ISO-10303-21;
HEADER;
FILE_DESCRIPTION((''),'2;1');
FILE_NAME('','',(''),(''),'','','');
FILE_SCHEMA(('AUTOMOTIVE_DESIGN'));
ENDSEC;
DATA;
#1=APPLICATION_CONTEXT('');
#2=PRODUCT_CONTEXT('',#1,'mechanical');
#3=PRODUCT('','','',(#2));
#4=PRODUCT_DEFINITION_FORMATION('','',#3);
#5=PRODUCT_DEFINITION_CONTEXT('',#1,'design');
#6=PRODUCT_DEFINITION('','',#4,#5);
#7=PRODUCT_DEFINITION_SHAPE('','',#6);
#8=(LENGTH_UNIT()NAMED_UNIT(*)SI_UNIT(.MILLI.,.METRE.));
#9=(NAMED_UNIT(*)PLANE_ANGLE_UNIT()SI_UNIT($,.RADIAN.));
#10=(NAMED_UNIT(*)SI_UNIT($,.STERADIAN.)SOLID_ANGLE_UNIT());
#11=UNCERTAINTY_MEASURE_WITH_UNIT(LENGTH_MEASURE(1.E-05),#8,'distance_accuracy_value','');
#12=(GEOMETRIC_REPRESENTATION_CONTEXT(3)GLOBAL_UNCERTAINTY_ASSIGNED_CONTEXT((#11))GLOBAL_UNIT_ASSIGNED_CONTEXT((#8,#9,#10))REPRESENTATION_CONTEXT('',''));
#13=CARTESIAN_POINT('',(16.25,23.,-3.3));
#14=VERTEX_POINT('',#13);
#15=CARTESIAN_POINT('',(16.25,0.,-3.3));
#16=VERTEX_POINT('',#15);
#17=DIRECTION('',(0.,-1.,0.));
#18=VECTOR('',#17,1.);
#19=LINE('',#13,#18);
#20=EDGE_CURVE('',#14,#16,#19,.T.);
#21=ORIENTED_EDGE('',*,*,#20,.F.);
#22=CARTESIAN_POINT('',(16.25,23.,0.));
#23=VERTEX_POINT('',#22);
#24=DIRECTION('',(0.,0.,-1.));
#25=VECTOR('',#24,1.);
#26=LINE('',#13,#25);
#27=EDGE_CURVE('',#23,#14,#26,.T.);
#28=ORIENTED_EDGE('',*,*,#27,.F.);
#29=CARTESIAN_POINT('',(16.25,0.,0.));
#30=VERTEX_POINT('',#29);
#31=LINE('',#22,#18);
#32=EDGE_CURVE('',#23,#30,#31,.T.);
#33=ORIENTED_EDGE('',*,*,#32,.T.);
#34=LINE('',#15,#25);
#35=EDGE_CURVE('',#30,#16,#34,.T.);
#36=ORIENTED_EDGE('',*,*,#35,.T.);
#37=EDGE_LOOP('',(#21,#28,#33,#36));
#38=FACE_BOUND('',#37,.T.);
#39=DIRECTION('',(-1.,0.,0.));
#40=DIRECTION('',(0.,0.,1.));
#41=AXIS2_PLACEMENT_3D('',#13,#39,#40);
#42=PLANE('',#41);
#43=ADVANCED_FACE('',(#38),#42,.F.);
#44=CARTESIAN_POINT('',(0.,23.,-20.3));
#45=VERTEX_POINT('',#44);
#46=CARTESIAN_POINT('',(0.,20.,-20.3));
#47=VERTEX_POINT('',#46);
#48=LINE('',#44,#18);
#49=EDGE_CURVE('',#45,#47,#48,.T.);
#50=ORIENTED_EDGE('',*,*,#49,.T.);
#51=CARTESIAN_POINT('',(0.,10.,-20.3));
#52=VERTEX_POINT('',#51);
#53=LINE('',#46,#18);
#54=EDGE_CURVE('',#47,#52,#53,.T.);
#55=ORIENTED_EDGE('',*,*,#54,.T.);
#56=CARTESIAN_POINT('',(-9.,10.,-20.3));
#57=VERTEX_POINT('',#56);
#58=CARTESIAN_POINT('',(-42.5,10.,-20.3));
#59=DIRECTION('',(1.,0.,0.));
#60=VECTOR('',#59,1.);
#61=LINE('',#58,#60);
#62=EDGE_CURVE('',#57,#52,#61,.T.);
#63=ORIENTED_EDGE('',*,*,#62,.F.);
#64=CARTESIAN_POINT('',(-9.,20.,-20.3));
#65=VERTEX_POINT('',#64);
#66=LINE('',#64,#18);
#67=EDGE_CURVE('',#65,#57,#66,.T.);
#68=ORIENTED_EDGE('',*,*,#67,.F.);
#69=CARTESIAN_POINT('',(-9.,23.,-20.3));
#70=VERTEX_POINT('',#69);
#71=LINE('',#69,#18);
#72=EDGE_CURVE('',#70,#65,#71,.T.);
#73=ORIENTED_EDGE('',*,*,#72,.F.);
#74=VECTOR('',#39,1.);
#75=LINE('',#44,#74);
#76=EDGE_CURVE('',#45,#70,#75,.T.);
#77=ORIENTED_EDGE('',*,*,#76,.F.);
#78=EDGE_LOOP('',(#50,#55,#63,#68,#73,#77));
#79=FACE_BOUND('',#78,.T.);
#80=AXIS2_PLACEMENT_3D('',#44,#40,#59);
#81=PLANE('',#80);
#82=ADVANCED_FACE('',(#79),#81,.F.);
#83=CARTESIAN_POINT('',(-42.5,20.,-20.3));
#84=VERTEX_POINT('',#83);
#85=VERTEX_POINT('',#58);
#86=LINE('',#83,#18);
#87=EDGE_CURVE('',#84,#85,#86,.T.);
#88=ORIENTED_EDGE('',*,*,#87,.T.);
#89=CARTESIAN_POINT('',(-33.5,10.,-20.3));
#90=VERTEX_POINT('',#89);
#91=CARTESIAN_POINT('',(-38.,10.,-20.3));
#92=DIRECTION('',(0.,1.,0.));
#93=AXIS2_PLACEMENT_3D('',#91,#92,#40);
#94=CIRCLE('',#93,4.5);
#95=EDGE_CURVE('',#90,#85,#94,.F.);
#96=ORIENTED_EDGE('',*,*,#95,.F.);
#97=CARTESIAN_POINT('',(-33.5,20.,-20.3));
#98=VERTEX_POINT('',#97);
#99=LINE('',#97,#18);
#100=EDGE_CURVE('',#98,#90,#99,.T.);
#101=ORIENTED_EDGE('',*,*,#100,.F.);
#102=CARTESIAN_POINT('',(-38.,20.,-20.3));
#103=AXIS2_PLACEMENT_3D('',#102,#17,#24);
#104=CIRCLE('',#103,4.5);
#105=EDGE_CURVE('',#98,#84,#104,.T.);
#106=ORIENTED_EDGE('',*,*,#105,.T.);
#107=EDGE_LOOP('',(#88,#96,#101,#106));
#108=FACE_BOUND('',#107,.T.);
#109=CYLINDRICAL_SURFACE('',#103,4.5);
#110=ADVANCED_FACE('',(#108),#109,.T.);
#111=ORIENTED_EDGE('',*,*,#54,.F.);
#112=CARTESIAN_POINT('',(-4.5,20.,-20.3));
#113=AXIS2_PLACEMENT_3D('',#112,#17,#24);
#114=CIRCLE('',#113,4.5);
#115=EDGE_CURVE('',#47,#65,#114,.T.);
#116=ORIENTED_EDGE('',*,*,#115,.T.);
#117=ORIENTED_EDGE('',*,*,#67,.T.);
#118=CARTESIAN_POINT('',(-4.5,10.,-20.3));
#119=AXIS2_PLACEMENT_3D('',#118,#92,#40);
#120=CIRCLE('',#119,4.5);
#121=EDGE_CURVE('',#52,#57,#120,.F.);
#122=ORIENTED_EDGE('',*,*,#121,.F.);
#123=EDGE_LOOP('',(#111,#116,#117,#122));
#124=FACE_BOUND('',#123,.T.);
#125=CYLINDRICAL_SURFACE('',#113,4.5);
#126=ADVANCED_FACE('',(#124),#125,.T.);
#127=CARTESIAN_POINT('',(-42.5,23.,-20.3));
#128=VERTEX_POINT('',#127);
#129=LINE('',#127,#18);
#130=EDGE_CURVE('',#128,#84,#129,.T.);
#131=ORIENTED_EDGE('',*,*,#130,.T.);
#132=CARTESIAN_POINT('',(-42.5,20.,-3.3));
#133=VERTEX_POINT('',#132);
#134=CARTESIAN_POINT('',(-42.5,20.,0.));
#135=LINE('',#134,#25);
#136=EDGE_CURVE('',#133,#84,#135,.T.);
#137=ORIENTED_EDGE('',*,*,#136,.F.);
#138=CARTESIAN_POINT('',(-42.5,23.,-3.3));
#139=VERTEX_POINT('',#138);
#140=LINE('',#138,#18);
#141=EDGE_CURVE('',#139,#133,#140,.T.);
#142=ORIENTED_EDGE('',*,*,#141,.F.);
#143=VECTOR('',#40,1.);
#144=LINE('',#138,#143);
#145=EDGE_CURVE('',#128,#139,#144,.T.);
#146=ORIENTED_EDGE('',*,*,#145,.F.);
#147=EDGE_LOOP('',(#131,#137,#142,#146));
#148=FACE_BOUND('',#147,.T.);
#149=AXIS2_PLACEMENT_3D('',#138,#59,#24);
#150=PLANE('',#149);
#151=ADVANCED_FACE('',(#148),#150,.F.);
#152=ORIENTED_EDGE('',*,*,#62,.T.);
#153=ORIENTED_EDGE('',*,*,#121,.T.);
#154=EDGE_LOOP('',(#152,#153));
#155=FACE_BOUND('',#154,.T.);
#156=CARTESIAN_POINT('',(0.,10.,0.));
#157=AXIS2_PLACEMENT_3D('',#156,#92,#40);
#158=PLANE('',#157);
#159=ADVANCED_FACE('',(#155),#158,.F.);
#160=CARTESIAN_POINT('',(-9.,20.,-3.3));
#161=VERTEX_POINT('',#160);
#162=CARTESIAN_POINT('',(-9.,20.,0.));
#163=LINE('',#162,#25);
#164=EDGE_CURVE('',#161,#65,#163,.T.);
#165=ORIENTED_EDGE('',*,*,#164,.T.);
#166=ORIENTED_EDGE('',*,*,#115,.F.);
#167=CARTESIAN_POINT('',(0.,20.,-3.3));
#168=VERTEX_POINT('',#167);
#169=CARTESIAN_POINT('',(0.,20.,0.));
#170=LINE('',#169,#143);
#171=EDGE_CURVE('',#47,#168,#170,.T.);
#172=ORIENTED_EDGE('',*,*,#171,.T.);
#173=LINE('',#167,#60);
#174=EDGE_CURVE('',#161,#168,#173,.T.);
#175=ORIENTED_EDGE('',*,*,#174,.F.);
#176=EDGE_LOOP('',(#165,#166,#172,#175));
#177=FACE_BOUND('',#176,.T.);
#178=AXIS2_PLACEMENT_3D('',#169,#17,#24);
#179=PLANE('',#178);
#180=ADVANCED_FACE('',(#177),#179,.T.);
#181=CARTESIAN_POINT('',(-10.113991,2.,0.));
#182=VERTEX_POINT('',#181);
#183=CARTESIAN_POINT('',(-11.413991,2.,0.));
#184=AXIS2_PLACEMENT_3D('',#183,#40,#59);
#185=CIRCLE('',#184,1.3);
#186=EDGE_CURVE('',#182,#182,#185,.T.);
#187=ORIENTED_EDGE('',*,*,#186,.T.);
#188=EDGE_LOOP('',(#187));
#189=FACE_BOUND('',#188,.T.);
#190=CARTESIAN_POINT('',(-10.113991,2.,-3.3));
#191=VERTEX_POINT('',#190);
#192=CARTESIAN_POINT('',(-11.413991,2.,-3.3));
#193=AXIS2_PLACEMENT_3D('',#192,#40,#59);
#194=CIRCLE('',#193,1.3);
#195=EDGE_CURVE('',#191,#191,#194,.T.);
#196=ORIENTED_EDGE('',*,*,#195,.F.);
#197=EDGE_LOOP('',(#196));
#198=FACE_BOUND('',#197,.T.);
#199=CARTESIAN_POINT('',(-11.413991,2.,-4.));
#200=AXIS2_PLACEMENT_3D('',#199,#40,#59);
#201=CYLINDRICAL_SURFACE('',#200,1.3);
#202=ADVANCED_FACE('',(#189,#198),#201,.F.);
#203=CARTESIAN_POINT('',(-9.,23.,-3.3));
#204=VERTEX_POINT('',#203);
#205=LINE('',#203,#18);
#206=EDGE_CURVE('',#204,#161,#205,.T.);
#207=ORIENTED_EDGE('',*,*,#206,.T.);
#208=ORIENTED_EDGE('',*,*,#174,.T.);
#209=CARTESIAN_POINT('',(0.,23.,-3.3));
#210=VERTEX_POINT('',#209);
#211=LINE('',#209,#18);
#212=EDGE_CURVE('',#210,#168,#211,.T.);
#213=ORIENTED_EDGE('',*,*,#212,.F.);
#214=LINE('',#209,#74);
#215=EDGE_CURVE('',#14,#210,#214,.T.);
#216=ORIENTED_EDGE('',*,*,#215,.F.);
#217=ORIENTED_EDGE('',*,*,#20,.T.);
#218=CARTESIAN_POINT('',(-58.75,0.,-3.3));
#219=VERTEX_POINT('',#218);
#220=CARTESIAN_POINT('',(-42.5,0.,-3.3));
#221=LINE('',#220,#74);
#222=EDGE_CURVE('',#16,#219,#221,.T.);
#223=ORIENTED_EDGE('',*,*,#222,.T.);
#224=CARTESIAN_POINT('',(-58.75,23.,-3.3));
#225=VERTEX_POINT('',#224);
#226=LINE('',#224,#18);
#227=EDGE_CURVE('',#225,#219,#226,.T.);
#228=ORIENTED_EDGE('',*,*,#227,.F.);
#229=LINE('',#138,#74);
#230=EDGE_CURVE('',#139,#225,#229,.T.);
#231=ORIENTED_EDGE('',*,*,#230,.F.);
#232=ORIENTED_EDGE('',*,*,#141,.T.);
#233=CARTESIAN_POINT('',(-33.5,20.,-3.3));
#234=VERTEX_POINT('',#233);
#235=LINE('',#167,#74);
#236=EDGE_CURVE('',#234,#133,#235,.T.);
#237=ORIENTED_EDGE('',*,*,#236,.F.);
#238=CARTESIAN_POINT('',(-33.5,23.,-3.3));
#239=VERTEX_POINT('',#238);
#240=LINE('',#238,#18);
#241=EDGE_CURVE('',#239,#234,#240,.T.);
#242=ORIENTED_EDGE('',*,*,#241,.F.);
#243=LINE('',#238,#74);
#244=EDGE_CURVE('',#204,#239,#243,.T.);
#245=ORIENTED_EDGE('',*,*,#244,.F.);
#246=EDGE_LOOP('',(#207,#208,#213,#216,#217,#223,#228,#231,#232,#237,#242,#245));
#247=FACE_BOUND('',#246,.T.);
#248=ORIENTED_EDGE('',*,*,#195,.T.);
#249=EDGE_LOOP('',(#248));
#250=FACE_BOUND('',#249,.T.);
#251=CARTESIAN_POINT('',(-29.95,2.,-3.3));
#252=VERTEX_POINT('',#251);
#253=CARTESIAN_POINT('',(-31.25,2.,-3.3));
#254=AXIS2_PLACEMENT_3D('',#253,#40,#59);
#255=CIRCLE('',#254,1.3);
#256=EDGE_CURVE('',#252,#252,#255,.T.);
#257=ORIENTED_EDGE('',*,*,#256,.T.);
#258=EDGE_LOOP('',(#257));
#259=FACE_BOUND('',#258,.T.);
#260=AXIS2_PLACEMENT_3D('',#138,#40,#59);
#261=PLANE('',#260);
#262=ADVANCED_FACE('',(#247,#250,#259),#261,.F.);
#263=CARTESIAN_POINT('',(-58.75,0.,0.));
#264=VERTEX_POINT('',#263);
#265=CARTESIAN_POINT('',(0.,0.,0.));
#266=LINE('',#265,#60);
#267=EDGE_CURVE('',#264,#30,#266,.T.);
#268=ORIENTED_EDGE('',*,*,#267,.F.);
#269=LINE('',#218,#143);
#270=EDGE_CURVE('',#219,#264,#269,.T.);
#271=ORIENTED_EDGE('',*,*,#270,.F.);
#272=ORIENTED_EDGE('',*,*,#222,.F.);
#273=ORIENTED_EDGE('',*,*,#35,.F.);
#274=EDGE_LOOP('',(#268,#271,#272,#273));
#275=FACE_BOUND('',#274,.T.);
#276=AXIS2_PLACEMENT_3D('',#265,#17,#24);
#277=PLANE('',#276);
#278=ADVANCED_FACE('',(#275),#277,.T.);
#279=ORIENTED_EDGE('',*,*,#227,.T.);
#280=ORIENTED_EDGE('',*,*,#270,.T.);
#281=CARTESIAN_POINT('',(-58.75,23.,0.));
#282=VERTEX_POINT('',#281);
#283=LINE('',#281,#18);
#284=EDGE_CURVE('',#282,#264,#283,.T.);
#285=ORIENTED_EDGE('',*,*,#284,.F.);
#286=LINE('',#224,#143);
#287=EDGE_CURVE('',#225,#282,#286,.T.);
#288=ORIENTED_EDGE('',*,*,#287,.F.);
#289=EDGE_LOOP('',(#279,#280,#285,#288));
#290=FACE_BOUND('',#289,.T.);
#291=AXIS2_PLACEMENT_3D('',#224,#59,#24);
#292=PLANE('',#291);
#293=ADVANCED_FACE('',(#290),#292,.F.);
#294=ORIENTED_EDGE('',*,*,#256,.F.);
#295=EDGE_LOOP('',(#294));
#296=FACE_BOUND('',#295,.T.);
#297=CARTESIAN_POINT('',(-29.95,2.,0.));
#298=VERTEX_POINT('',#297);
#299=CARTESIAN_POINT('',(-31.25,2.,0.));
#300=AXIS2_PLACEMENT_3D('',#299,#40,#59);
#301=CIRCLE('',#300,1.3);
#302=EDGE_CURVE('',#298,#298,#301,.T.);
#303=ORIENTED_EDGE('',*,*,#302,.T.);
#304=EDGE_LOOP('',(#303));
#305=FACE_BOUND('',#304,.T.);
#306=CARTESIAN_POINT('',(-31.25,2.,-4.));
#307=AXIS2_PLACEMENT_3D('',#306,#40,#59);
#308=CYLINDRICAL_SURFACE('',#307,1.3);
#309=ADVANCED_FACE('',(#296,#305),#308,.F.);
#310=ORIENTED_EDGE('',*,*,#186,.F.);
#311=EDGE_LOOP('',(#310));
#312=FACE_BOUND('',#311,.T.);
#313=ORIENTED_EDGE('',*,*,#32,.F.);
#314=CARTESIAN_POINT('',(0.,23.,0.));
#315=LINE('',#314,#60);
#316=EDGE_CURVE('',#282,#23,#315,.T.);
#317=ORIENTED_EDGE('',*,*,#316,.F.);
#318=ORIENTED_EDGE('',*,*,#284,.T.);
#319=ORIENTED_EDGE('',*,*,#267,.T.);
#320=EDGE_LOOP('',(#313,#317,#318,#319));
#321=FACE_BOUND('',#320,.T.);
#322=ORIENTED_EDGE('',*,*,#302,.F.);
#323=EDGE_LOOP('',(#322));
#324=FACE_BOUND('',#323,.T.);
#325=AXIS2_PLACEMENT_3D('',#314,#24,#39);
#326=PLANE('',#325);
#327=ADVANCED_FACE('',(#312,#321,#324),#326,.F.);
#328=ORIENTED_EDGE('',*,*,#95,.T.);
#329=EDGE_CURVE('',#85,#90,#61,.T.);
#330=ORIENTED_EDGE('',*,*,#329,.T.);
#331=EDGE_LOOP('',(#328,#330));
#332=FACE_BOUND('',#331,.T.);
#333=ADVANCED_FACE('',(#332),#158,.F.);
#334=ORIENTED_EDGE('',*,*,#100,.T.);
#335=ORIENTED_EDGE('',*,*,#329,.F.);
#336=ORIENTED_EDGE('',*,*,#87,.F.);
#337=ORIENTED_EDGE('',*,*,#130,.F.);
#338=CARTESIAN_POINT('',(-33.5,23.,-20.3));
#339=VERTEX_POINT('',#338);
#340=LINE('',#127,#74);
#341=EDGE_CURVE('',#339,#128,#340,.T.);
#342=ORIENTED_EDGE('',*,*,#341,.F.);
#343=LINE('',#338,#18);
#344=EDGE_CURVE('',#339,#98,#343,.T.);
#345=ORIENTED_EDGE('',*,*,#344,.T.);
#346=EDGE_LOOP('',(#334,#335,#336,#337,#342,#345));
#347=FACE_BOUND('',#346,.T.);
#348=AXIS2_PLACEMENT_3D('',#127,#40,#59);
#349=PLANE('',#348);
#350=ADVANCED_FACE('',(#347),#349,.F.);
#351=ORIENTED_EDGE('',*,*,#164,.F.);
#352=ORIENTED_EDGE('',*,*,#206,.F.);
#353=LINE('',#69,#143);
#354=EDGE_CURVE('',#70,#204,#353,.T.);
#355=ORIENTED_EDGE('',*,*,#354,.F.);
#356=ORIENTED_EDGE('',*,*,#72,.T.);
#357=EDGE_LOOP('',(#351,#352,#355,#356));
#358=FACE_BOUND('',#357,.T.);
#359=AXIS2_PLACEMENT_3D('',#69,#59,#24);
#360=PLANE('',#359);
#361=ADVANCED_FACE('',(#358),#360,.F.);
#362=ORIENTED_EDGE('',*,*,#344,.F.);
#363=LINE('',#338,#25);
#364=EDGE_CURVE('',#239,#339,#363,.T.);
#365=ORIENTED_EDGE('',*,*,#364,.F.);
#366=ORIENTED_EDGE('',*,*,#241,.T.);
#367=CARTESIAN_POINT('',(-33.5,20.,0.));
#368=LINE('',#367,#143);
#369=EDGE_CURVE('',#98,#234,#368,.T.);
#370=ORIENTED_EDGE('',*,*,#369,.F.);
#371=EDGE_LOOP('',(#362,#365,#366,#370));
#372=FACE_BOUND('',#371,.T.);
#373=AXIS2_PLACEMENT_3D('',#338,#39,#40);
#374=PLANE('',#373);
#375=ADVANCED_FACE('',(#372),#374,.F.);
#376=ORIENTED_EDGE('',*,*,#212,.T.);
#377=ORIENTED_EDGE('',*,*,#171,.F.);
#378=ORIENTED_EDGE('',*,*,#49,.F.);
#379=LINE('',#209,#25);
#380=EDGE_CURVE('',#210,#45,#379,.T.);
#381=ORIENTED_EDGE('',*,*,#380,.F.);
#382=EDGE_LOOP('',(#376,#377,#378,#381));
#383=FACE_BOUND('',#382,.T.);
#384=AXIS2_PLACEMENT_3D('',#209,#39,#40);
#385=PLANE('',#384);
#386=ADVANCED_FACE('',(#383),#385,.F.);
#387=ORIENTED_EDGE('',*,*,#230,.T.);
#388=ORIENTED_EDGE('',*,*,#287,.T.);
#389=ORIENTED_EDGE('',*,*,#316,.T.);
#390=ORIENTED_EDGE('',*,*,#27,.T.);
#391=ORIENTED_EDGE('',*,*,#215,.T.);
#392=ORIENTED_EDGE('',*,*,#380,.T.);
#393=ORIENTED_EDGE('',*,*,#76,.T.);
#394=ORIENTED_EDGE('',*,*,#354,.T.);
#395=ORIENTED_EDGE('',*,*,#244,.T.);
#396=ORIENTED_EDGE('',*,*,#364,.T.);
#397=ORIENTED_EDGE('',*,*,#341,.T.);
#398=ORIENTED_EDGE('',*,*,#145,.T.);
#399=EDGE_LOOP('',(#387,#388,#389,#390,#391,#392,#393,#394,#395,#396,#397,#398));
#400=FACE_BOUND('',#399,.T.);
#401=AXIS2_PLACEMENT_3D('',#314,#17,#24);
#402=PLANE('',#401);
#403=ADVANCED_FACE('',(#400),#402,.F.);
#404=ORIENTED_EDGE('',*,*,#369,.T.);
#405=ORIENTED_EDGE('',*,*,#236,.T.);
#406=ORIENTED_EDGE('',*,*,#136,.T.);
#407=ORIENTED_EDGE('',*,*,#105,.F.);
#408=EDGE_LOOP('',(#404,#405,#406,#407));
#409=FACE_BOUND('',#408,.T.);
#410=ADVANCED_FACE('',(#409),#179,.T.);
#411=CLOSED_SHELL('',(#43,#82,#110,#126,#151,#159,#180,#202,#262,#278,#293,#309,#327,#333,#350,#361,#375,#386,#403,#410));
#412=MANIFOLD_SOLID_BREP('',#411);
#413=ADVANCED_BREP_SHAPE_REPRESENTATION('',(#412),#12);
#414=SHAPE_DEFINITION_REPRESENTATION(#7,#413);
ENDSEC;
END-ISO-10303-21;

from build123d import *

# Parameters (mm, degrees)
EXTRUDE_1_DEPTH     = 23
CUT_EXTRUDE_3_DEPTH = 20
SKETCH_3_R          = 1.3
CUT_EXTRUDE_4_DEPTH = 4
SKETCH_4_W          = 42.5
SKETCH_4_H          = 6.002604642
CUT_EXTRUDE_5_DEPTH = 10


with BuildPart() as part:
    # Эскиз1 → Бобышка-Вытянуть1 (new body)
    with BuildSketch(Plane(origin=(0, 0, 0), x_dir=(1, 0, 0), z_dir=(0, 1, 0))):
        Polygon((0, 0), (-42.5, 0), (-58.75, 0), (-58.75, 3.3), (-42.5, 3.3), (-42.5, 20.3), (-33.5, 20.3), (-33.5, 3.3), (-9, 3.3), (-9, 20.3), (0, 20.3), (0, 3.3), (16.25, 3.3), (16.25, 0), align=None)
    extrude(amount=EXTRUDE_1_DEPTH)

    # Эскиз2 → Вырез-Вытянуть3 (cut)
    with BuildSketch(Plane.XZ):
        with BuildLine():
            Line((-9, -3.3), (-9, -20.3))
            ThreePointArc((-9, -20.3), (-4.5, -15.8), (0, -20.3))
            Line((0, -20.3), (0, -3.3))
            Line((0, -3.3), (-9, -3.3))
        make_face()
        with BuildLine():
            Line((-33.5, -3.3), (-42.5, -3.3))
            Line((-42.5, -3.3), (-42.5, -20.3))
            ThreePointArc((-42.5, -20.3), (-38, -15.8), (-33.5, -20.3))
            Line((-33.5, -20.3), (-33.5, -3.3))
        make_face()
    extrude(amount=-CUT_EXTRUDE_3_DEPTH, mode=Mode.SUBTRACT)

    # Эскиз3 → Вырез-Вытянуть4 (cut)
    with BuildSketch(Plane.XY):
        with Locations((-31.25, 2)):
            Circle(SKETCH_3_R)
        with Locations((-11.41399061, 2)):
            Circle(SKETCH_3_R)
    extrude(amount=-CUT_EXTRUDE_4_DEPTH, mode=Mode.SUBTRACT)

    # Эскиз4 → Вырез-Вытянуть5 (cut)
    with BuildSketch(Plane.XZ):
        with Locations((-21.25, -17.298697679)):
            Rectangle(SKETCH_4_W, SKETCH_4_H)
    extrude(amount=-CUT_EXTRUDE_5_DEPTH, mode=Mode.SUBTRACT)


solid = part.part
